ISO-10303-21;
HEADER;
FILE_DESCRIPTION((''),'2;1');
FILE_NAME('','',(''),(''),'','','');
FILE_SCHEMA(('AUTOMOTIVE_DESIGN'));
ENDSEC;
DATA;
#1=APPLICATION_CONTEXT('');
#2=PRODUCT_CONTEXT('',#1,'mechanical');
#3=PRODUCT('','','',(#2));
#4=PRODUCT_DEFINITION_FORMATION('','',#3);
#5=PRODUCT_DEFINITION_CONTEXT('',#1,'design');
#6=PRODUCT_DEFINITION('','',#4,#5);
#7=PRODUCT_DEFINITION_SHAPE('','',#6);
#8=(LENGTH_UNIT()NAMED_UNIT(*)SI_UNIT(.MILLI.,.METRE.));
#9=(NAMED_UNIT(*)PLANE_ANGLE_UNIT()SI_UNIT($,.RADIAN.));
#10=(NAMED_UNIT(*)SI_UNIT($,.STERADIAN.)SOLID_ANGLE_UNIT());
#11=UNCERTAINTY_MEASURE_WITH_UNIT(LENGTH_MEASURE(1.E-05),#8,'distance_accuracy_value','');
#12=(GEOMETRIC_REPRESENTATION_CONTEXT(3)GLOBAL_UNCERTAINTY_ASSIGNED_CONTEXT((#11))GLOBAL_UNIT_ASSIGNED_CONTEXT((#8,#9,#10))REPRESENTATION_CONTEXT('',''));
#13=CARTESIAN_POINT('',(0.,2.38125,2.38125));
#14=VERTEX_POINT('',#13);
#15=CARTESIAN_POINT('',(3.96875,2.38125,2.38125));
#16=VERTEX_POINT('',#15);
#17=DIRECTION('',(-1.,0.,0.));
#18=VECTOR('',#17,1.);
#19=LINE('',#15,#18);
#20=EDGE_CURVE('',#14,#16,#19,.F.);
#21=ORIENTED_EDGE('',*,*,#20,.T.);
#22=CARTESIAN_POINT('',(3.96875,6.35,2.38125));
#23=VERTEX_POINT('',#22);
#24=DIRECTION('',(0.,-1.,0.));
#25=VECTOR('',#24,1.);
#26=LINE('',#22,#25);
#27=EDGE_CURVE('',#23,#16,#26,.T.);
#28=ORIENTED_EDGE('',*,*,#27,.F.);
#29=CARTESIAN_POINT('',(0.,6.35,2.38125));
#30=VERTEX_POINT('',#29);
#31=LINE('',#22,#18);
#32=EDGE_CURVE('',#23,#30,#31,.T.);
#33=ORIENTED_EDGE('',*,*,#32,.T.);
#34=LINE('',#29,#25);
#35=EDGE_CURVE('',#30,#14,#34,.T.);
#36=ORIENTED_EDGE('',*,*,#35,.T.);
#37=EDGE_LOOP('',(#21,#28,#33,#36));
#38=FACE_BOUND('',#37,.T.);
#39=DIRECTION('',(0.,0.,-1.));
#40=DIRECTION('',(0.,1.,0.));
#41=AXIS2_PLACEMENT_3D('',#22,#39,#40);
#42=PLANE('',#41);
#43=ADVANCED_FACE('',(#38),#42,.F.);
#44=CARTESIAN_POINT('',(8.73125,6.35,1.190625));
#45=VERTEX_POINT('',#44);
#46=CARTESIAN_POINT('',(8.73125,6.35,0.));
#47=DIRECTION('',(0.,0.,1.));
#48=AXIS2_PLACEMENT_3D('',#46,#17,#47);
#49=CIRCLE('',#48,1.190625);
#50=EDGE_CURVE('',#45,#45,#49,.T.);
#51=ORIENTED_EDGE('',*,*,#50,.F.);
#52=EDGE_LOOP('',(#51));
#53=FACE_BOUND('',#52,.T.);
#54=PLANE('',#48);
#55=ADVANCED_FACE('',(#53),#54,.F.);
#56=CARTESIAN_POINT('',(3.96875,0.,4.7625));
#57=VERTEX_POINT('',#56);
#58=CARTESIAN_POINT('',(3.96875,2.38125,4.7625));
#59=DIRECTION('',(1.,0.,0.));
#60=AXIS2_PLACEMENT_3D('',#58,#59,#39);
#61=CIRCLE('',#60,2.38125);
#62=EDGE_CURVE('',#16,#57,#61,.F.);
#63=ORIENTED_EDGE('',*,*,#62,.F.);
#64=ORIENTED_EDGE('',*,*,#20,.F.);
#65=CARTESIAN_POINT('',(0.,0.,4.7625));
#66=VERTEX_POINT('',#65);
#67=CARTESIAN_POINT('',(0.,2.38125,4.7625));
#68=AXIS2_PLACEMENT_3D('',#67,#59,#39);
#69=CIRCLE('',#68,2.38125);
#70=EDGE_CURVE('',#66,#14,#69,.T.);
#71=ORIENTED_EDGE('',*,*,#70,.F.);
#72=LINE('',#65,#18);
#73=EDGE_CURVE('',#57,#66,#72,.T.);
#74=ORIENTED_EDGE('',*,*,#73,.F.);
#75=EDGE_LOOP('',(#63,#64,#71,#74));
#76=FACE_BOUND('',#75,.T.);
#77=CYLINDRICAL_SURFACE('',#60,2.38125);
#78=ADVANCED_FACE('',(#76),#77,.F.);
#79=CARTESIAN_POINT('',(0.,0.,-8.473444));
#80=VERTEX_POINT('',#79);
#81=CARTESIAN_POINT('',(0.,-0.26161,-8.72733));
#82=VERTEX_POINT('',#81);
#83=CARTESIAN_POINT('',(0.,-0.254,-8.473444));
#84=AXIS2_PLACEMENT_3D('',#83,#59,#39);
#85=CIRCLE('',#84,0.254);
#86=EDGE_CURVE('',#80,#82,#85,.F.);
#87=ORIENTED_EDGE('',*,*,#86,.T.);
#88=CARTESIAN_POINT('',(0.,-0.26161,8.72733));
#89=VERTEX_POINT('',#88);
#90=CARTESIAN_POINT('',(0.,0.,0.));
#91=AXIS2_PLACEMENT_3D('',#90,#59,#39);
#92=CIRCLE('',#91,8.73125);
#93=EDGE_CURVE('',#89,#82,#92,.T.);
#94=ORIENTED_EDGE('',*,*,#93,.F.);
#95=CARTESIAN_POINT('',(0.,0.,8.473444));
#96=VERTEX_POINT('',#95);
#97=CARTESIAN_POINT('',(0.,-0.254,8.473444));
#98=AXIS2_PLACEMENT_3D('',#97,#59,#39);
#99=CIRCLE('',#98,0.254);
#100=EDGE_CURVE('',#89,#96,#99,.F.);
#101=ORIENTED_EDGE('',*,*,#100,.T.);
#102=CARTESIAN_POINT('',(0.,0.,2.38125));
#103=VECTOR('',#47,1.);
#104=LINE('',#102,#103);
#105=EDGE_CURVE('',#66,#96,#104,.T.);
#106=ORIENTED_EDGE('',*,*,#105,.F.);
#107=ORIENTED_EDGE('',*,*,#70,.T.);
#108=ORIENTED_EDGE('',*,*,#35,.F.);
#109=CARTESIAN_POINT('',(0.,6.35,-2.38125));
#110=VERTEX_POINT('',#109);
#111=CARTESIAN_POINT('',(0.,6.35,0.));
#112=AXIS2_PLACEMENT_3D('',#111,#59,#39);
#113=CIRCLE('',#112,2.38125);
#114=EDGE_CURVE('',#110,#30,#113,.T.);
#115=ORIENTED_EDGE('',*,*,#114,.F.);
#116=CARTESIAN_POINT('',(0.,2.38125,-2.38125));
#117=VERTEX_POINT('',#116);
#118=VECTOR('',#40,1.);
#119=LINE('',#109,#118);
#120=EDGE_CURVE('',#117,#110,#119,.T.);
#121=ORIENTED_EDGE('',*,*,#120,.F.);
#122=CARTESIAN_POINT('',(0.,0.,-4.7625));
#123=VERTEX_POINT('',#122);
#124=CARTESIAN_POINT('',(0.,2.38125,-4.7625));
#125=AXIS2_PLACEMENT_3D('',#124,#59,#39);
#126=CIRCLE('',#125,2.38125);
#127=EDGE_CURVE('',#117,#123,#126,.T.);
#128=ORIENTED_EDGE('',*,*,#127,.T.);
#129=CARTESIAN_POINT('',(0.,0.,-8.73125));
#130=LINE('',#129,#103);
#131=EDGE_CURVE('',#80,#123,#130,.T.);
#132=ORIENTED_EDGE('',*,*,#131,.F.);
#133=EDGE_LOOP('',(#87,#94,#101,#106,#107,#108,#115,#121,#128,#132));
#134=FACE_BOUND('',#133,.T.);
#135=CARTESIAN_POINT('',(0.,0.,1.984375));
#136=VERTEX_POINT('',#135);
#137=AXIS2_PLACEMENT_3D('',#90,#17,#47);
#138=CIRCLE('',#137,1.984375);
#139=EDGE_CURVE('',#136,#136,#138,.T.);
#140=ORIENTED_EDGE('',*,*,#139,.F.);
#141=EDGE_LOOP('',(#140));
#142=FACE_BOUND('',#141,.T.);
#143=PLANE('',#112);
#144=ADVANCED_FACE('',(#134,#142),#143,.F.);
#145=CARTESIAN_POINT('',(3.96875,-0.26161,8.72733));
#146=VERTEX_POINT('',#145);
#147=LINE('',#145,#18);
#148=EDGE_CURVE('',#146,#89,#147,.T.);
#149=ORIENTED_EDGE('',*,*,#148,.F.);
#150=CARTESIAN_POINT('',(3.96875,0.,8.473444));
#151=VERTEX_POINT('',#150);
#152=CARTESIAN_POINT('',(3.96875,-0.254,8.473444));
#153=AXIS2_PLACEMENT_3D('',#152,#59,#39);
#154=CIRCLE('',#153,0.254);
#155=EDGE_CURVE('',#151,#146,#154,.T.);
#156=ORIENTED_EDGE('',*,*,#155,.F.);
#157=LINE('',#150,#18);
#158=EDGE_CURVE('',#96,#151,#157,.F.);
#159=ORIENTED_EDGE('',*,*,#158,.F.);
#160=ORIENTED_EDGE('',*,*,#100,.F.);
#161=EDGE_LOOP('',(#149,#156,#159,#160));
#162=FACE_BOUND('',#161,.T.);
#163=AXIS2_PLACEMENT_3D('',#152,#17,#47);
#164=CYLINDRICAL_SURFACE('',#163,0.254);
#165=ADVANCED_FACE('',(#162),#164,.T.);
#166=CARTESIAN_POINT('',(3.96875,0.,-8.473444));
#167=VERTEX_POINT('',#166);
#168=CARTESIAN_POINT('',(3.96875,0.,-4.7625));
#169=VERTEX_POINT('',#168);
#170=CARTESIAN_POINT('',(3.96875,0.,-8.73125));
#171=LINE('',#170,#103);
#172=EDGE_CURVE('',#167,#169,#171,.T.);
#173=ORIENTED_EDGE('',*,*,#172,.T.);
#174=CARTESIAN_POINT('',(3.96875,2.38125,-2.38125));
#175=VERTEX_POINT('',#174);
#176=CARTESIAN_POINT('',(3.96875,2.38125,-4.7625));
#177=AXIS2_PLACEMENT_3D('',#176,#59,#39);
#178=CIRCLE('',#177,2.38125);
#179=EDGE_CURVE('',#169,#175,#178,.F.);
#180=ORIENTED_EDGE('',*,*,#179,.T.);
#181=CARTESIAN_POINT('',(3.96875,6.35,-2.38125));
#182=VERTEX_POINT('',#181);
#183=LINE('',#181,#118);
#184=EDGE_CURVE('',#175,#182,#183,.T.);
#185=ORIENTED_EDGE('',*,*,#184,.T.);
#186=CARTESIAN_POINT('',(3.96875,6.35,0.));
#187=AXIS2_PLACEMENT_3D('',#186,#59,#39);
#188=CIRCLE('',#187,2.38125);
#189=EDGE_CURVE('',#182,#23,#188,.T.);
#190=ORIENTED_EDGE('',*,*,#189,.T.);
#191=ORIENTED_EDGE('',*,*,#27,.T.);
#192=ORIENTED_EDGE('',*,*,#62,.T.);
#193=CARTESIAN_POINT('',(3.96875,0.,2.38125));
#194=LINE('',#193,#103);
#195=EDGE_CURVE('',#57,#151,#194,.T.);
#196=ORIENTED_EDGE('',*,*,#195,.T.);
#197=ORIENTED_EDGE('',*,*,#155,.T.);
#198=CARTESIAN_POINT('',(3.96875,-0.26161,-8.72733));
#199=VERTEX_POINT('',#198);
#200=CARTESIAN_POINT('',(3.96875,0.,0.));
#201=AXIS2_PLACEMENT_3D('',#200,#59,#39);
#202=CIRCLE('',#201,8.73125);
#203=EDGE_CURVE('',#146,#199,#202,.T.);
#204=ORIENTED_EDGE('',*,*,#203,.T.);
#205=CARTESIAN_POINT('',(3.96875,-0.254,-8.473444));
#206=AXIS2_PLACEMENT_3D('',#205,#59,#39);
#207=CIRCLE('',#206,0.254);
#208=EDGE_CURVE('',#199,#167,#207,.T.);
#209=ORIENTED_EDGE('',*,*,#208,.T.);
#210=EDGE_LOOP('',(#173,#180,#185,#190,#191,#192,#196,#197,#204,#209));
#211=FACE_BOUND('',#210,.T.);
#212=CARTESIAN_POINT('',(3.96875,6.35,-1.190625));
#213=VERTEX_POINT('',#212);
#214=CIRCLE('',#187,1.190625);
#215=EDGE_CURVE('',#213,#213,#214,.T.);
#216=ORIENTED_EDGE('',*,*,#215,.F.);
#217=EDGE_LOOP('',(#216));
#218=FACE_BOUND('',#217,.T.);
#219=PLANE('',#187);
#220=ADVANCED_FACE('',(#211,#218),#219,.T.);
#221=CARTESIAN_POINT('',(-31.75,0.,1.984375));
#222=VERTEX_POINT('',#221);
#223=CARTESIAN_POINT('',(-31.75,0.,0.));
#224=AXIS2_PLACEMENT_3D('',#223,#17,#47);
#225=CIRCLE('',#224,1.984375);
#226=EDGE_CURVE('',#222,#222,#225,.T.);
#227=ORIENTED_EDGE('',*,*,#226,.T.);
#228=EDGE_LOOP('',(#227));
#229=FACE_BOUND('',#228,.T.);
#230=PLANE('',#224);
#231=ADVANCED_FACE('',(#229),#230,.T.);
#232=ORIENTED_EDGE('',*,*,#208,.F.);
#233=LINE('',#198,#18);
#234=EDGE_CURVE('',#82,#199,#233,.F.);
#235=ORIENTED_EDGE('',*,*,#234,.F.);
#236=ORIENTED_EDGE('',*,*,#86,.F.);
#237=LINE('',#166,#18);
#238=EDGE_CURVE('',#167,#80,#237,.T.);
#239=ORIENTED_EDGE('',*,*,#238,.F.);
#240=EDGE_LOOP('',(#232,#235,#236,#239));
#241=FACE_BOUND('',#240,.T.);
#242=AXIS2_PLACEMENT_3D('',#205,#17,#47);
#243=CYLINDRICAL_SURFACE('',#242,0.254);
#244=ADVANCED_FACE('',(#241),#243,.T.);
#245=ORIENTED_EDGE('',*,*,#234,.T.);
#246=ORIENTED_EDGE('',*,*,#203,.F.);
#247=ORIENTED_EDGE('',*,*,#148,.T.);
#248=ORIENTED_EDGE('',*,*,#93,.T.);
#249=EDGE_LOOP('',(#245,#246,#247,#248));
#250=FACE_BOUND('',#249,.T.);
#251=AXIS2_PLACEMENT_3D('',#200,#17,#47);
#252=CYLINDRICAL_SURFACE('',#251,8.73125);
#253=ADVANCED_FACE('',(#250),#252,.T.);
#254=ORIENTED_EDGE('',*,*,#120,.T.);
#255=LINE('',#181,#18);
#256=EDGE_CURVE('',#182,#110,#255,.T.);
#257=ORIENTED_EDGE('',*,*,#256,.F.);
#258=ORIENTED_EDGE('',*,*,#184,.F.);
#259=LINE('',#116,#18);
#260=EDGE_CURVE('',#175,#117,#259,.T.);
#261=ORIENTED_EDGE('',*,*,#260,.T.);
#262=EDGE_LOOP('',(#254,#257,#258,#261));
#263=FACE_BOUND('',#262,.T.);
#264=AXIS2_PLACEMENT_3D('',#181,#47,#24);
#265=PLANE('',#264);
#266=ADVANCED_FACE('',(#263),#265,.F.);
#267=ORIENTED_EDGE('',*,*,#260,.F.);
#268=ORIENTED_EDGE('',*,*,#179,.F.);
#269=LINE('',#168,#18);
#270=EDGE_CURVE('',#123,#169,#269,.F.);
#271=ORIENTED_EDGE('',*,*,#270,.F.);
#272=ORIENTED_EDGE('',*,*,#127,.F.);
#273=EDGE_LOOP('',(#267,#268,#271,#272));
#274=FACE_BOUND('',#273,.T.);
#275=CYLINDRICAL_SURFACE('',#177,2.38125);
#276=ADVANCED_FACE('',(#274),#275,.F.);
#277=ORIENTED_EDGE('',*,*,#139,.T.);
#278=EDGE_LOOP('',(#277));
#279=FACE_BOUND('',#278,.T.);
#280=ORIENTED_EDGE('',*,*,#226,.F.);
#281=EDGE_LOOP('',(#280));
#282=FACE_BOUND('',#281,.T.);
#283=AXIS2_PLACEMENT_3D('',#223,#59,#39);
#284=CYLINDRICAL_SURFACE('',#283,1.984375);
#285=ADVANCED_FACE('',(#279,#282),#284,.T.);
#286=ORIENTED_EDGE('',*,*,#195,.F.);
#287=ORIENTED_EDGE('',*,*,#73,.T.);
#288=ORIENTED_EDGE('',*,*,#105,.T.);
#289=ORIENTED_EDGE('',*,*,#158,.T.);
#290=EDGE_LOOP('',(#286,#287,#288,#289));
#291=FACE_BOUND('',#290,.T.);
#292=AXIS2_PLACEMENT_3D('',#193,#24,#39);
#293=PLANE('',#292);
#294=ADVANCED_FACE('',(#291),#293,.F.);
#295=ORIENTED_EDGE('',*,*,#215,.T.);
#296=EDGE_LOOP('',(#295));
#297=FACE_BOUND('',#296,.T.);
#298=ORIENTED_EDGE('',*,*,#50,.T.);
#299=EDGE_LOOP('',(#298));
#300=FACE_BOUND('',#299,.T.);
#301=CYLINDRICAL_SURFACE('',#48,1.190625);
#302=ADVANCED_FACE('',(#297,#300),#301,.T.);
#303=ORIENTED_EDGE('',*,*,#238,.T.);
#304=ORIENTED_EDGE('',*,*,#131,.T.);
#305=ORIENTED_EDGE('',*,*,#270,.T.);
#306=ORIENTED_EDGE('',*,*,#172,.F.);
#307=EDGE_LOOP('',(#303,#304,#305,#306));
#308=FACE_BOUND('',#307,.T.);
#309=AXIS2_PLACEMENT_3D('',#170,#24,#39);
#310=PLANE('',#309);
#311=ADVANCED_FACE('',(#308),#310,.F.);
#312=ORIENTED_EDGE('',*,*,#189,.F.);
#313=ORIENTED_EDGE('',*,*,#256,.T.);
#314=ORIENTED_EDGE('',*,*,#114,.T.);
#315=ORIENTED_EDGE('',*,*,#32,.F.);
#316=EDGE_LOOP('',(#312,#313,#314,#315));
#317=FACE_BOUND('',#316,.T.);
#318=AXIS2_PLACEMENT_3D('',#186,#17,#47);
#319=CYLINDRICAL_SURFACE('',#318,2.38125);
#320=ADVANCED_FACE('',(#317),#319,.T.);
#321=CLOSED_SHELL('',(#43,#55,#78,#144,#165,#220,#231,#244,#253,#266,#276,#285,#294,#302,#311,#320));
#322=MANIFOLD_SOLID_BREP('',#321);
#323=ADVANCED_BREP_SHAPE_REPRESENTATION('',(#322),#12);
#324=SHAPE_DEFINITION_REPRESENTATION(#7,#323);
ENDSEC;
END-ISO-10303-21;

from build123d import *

# Parameters (mm, degrees)
SKETCH2_R           = 1.190625
SKETCH2_R_2         = 1.984375
BOSS_EXTRUDE1_DEPTH = 3.96875
SKETCH3_R           = 1.190625
BOSS_EXTRUDE2_DEPTH = 8.73125
SKETCH4_R           = 1.984375
BOSS_EXTRUDE3_DEPTH = 31.75
SKETCH5_R           = 1.984375
BOSS_EXTRUDE4_DEPTH = 3.96875
FILLET2_R           = 2.38125
FILLET3_R           = 0.254


with BuildPart() as part:
    # Sketch2 → Boss-Extrude1 (new body)
    with BuildSketch(Plane(origin=(0, 0, 0), x_dir=(0, 0, -1), z_dir=(1, 0, 0))):
        with BuildLine():
            Line((8.73125, 0), (2.38125, 0))
            Line((2.38125, 0), (2.38125, 6.35))
            ThreePointArc((2.38125, 6.35), (0, 8.73125), (-2.38125, 6.35))
            Line((-2.38125, 6.35), (-2.38125, 0))
            Line((-2.38125, 0), (-8.73125, 0))
            ThreePointArc((-8.73125, 0), (0, -8.73125), (8.73125, 0))
        make_face()
        with Locations((0, 6.35)):
            Circle(SKETCH2_R, mode=Mode.SUBTRACT)
        Circle(SKETCH2_R_2, mode=Mode.SUBTRACT)
    extrude(amount=BOSS_EXTRUDE1_DEPTH)

    # Sketch3 → Boss-Extrude2 (add)
    with BuildSketch(Plane.ZY):
        with Locations((0, 6.35)):
            Circle(SKETCH3_R)
    extrude(amount=-BOSS_EXTRUDE2_DEPTH)



with BuildPart() as body_2:
    # Sketch4 → Boss-Extrude3 (new body)
    with BuildSketch(Plane.ZY):
        Circle(SKETCH4_R)
    extrude(amount=BOSS_EXTRUDE3_DEPTH)


with BuildPart() as part_1:
    add(part.part)

    add(body_2.part)  # Boss-Extrude4 merges body 2
    # Sketch5 → Boss-Extrude4 (add)
    with BuildSketch(Plane(origin=(0, 0, 0), x_dir=(0, 0, -1), z_dir=(1, 0, 0))):
        Circle(SKETCH5_R)
    extrude(amount=BOSS_EXTRUDE4_DEPTH)

    # Fillet2
    fillet2_edges = [part_1.edges().sort_by_distance(p)[0] for p in [
        (1.984375, 0, -2.38125),
        (1.984375, 0, 2.38125),
    ]]
    fillet(fillet2_edges, radius=FILLET2_R)

    # Fillet3
    fillet3_edges = [part_1.edges().sort_by_distance(p)[0] for p in [
        (1.984375, 0, -8.73125),
        (1.984375, 0, 8.73125),
    ]]
    fillet(fillet3_edges, radius=FILLET3_R)


solid = part_1.part
